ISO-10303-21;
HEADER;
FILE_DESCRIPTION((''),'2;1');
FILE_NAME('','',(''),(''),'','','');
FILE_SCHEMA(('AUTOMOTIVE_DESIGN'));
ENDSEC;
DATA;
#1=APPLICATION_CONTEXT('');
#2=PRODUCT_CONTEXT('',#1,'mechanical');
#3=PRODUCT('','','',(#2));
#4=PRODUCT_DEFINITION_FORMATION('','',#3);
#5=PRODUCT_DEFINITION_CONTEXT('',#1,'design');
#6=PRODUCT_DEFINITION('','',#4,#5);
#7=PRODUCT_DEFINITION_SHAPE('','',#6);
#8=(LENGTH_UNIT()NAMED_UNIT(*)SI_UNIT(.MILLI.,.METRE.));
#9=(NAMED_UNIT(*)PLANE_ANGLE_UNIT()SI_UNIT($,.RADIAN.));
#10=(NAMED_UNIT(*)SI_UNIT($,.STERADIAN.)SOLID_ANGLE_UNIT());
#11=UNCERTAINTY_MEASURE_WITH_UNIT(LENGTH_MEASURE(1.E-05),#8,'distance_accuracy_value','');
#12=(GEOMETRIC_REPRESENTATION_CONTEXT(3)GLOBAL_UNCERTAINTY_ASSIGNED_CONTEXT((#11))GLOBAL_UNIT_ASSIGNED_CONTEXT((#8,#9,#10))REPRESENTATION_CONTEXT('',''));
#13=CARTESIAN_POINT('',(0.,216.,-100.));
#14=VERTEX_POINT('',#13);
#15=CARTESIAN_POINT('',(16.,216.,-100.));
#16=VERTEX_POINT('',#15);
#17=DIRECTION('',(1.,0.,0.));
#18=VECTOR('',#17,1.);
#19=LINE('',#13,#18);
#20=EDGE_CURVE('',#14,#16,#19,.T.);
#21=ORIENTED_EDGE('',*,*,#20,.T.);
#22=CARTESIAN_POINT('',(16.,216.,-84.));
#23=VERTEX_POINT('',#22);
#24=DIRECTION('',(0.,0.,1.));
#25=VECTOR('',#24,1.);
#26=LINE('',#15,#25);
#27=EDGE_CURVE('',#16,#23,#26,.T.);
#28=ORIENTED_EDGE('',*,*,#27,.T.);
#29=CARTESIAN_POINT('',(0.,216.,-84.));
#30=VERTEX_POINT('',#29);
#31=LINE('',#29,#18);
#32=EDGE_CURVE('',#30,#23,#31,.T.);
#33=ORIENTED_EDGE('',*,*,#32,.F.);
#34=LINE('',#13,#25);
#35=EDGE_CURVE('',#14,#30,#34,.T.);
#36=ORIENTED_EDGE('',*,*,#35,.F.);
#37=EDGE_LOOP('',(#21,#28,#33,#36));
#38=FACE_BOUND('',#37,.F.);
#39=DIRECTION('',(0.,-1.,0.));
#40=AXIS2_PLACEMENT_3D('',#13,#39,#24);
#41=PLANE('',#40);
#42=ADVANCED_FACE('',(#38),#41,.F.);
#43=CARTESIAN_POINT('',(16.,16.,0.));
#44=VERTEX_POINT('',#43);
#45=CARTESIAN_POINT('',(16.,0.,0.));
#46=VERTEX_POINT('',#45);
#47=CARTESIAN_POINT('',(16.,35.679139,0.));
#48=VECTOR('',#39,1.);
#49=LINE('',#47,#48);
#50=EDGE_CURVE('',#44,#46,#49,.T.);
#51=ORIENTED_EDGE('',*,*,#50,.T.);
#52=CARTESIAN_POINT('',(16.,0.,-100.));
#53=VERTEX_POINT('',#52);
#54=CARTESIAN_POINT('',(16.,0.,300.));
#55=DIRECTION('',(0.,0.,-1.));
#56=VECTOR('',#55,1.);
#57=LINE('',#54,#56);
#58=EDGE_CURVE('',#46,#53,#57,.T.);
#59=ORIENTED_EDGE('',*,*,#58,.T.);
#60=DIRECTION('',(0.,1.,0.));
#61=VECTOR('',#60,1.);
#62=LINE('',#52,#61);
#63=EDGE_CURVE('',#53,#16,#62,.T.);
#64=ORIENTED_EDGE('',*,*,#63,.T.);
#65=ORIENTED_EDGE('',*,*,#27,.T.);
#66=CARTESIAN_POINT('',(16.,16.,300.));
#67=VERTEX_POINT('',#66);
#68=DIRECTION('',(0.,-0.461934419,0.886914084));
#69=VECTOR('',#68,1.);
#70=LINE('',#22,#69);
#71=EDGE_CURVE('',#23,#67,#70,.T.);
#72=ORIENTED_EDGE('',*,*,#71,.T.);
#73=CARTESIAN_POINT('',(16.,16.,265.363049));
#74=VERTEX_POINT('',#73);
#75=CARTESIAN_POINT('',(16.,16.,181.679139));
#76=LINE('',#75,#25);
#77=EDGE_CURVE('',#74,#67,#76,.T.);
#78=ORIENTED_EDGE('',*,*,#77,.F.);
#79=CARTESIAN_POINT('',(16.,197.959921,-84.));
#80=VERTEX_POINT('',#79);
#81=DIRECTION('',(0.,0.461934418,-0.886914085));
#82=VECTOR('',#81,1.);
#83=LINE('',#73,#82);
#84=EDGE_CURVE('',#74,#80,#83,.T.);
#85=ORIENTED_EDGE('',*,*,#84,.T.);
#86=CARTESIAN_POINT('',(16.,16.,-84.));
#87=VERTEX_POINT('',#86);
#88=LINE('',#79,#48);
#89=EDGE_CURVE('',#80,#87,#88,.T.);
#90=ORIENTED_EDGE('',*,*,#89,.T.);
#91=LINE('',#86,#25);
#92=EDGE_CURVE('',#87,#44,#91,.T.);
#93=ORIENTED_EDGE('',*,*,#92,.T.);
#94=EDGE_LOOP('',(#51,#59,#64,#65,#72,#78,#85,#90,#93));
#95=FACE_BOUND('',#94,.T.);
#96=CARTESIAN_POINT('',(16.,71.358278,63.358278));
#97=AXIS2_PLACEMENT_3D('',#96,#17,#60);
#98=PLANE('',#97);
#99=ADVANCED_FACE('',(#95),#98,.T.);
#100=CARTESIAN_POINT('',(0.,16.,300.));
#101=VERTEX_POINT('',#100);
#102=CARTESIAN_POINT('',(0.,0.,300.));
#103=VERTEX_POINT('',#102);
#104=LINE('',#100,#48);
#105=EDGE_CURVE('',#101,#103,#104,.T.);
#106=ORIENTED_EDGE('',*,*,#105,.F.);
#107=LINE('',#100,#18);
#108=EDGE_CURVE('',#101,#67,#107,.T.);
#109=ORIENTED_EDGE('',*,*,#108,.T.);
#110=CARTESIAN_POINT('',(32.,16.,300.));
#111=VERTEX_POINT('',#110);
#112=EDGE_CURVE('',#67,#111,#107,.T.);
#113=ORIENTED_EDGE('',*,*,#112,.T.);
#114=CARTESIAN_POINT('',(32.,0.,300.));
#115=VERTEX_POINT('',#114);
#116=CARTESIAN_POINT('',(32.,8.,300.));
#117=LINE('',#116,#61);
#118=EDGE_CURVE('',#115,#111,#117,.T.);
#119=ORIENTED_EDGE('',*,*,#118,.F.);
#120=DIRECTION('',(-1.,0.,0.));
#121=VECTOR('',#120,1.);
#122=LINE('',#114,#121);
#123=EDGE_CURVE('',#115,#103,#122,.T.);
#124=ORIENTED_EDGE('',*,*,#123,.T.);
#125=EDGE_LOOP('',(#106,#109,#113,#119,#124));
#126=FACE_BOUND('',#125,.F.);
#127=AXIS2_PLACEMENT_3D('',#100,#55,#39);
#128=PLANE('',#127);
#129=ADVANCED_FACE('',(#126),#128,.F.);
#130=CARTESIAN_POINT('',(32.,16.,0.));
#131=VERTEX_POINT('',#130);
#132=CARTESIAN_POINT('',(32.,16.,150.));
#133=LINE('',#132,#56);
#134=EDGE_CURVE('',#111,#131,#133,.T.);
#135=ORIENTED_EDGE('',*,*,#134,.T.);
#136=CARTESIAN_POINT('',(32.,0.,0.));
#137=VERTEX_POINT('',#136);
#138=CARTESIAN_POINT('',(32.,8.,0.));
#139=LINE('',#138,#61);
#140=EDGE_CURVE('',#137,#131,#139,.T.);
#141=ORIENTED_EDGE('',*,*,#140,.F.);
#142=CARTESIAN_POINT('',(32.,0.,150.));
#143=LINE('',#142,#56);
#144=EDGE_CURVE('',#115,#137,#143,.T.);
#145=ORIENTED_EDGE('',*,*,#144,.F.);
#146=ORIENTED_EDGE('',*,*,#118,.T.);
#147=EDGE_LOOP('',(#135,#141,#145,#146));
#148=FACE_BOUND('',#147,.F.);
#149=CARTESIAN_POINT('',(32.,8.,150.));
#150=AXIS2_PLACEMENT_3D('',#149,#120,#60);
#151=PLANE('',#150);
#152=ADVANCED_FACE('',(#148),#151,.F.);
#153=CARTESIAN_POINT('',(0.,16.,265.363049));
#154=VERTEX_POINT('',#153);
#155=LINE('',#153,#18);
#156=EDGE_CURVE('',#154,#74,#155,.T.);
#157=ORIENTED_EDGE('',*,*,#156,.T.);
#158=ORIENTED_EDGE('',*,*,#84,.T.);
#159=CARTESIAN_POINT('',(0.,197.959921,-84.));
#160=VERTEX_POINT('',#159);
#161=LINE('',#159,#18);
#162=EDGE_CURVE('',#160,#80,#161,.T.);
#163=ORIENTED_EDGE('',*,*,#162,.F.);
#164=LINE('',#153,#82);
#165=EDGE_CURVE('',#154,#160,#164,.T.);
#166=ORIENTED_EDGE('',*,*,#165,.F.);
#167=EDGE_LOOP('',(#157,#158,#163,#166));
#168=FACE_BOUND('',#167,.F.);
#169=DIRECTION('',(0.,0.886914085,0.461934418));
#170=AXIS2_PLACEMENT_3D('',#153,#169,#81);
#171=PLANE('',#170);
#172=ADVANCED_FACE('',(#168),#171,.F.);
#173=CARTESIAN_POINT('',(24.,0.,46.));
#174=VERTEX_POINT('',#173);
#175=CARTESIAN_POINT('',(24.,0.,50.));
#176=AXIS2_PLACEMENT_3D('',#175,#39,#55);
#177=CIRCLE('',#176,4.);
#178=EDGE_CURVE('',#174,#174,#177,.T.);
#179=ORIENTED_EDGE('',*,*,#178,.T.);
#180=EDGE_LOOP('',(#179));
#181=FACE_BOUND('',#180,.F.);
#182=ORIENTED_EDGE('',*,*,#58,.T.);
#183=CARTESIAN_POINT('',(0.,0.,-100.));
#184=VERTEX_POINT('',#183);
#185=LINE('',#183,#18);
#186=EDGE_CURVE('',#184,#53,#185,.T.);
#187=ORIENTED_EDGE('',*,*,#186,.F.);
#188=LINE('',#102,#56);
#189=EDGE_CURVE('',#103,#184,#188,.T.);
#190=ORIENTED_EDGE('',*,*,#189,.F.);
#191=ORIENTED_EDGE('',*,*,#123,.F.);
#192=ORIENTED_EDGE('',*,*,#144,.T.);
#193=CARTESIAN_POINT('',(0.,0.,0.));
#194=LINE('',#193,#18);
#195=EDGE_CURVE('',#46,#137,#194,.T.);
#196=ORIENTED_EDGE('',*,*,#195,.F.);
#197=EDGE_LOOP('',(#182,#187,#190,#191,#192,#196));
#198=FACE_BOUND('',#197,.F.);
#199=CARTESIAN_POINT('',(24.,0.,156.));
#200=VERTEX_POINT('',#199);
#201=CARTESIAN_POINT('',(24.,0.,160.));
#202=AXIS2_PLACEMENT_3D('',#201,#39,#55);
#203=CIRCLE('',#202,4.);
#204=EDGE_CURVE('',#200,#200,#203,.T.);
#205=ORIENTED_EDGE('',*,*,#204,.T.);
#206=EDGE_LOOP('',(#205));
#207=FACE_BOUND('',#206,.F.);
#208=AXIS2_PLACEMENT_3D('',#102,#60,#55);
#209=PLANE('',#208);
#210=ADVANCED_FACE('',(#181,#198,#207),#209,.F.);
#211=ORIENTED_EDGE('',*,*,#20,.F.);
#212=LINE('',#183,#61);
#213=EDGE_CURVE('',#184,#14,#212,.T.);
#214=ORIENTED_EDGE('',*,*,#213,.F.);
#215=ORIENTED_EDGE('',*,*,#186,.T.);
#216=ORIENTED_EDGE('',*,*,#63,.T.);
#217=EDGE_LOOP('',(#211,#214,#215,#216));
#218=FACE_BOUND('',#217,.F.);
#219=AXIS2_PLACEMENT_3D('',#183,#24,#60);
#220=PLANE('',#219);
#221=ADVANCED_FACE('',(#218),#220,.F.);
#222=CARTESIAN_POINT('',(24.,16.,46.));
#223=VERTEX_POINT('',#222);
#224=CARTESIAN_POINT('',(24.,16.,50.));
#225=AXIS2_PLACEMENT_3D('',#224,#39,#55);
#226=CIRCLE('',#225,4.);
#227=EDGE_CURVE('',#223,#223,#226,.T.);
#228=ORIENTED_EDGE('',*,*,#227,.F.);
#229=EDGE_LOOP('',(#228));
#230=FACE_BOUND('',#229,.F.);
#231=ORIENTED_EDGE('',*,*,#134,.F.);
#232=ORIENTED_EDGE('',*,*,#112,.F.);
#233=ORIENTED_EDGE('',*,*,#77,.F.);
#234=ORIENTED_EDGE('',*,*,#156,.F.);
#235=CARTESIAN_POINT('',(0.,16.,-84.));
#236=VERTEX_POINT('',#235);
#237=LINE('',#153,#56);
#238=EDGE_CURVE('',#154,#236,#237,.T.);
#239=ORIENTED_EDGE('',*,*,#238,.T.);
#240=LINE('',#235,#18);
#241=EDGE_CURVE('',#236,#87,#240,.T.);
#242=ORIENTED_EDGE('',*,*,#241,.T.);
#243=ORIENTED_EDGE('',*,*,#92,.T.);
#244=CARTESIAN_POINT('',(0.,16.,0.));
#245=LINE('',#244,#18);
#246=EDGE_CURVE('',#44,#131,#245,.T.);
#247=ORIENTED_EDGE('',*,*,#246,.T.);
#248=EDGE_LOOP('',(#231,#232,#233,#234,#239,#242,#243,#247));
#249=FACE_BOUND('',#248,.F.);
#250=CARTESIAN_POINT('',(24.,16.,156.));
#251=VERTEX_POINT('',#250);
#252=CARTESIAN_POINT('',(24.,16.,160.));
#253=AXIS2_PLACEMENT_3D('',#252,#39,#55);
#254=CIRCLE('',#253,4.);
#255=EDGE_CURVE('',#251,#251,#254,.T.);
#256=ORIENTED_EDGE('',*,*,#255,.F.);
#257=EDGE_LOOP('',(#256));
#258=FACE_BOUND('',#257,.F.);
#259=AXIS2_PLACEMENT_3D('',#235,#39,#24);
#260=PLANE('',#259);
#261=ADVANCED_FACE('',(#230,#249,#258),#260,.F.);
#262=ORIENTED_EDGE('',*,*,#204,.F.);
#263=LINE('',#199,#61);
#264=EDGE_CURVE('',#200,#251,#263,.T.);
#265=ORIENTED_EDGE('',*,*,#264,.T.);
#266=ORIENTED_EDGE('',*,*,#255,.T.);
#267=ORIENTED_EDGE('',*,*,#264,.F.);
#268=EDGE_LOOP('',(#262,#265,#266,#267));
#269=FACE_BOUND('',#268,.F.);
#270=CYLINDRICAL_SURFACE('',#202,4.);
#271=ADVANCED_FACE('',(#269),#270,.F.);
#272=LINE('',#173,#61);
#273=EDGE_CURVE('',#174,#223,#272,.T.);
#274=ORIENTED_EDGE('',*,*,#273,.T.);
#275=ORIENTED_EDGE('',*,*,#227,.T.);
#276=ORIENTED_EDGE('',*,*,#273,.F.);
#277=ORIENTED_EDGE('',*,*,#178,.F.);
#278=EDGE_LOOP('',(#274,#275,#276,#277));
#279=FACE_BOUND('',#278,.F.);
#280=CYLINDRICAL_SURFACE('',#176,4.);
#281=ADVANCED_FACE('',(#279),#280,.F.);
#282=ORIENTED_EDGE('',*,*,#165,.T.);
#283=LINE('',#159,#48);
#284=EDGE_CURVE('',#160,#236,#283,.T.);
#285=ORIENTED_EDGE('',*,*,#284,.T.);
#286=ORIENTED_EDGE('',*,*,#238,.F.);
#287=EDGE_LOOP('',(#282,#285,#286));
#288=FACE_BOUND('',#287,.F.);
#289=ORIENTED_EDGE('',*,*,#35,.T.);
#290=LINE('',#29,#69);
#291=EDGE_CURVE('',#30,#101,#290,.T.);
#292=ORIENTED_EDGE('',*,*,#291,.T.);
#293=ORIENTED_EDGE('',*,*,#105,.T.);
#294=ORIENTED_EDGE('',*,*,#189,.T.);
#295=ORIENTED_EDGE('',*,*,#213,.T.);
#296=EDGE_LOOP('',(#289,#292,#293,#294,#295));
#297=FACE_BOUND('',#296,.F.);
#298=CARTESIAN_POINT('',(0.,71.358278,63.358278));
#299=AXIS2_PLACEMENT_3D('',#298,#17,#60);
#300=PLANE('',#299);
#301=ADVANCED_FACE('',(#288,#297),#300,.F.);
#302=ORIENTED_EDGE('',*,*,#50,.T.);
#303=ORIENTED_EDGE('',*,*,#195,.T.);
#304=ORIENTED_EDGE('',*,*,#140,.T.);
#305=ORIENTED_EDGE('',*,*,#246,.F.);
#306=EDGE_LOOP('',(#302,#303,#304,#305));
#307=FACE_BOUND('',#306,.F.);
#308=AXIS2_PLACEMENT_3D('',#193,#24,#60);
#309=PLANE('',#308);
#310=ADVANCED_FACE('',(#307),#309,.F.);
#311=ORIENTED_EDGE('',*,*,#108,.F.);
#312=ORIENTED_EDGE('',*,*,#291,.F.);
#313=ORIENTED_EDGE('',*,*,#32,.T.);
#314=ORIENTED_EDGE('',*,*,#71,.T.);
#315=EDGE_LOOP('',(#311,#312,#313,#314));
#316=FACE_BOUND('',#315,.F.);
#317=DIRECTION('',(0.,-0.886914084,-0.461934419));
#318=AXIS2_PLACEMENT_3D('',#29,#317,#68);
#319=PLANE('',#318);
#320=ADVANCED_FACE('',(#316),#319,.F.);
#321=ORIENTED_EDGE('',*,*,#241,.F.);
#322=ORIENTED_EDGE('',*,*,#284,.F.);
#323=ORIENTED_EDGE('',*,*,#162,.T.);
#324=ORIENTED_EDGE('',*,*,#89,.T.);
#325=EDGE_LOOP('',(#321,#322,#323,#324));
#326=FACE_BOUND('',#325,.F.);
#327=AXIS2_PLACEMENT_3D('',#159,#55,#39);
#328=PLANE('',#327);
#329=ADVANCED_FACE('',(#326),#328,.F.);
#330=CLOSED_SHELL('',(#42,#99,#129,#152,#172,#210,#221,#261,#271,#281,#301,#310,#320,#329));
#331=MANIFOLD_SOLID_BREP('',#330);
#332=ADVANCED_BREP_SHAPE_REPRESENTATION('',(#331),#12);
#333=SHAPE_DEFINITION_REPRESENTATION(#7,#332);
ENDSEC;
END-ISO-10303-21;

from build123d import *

# Parameters (mm, degrees)
PAD_DEPTH    = 16
SKETCH001_W  = 16
SKETCH001_H  = 300
PAD001_DEPTH = 32
SKETCH003_R  = 4
POCKET_DEPTH = 216.001


with BuildPart() as part:
    # Sketch → Pad (new body)
    with BuildSketch(Plane.YZ):
        Polygon((0, 0), (0, -100), (16, -100), (216, -100), (216, -84), (16, 300), (0, 300), align=None)
        Polygon((16, 265.363049), (197.959921, -84), (16, -84), align=None, mode=Mode.SUBTRACT)
    extrude(amount=PAD_DEPTH)

    # Sketch001 (on Face4 of Pad) → Pad001 (join)
    with BuildSketch(Plane(origin=(0, 0, 0), x_dir=(0, 1, 0), z_dir=(-1, 0, 0))):
        with Locations((8, -150)):
            Rectangle(SKETCH001_W, SKETCH001_H)
    extrude(amount=-PAD001_DEPTH)

    # Sketch003 (on Face10 of Pad001) → Pocket (cut, through all)
    with BuildSketch(Plane(origin=(0, 0, 0), x_dir=(0, 0, -1), z_dir=(0, -1, 0))):
        with Locations((-160, 24)):
            Circle(SKETCH003_R)
        with Locations((-50, 24)):
            Circle(SKETCH003_R)
    extrude(amount=-POCKET_DEPTH, mode=Mode.SUBTRACT)


solid = part.part
